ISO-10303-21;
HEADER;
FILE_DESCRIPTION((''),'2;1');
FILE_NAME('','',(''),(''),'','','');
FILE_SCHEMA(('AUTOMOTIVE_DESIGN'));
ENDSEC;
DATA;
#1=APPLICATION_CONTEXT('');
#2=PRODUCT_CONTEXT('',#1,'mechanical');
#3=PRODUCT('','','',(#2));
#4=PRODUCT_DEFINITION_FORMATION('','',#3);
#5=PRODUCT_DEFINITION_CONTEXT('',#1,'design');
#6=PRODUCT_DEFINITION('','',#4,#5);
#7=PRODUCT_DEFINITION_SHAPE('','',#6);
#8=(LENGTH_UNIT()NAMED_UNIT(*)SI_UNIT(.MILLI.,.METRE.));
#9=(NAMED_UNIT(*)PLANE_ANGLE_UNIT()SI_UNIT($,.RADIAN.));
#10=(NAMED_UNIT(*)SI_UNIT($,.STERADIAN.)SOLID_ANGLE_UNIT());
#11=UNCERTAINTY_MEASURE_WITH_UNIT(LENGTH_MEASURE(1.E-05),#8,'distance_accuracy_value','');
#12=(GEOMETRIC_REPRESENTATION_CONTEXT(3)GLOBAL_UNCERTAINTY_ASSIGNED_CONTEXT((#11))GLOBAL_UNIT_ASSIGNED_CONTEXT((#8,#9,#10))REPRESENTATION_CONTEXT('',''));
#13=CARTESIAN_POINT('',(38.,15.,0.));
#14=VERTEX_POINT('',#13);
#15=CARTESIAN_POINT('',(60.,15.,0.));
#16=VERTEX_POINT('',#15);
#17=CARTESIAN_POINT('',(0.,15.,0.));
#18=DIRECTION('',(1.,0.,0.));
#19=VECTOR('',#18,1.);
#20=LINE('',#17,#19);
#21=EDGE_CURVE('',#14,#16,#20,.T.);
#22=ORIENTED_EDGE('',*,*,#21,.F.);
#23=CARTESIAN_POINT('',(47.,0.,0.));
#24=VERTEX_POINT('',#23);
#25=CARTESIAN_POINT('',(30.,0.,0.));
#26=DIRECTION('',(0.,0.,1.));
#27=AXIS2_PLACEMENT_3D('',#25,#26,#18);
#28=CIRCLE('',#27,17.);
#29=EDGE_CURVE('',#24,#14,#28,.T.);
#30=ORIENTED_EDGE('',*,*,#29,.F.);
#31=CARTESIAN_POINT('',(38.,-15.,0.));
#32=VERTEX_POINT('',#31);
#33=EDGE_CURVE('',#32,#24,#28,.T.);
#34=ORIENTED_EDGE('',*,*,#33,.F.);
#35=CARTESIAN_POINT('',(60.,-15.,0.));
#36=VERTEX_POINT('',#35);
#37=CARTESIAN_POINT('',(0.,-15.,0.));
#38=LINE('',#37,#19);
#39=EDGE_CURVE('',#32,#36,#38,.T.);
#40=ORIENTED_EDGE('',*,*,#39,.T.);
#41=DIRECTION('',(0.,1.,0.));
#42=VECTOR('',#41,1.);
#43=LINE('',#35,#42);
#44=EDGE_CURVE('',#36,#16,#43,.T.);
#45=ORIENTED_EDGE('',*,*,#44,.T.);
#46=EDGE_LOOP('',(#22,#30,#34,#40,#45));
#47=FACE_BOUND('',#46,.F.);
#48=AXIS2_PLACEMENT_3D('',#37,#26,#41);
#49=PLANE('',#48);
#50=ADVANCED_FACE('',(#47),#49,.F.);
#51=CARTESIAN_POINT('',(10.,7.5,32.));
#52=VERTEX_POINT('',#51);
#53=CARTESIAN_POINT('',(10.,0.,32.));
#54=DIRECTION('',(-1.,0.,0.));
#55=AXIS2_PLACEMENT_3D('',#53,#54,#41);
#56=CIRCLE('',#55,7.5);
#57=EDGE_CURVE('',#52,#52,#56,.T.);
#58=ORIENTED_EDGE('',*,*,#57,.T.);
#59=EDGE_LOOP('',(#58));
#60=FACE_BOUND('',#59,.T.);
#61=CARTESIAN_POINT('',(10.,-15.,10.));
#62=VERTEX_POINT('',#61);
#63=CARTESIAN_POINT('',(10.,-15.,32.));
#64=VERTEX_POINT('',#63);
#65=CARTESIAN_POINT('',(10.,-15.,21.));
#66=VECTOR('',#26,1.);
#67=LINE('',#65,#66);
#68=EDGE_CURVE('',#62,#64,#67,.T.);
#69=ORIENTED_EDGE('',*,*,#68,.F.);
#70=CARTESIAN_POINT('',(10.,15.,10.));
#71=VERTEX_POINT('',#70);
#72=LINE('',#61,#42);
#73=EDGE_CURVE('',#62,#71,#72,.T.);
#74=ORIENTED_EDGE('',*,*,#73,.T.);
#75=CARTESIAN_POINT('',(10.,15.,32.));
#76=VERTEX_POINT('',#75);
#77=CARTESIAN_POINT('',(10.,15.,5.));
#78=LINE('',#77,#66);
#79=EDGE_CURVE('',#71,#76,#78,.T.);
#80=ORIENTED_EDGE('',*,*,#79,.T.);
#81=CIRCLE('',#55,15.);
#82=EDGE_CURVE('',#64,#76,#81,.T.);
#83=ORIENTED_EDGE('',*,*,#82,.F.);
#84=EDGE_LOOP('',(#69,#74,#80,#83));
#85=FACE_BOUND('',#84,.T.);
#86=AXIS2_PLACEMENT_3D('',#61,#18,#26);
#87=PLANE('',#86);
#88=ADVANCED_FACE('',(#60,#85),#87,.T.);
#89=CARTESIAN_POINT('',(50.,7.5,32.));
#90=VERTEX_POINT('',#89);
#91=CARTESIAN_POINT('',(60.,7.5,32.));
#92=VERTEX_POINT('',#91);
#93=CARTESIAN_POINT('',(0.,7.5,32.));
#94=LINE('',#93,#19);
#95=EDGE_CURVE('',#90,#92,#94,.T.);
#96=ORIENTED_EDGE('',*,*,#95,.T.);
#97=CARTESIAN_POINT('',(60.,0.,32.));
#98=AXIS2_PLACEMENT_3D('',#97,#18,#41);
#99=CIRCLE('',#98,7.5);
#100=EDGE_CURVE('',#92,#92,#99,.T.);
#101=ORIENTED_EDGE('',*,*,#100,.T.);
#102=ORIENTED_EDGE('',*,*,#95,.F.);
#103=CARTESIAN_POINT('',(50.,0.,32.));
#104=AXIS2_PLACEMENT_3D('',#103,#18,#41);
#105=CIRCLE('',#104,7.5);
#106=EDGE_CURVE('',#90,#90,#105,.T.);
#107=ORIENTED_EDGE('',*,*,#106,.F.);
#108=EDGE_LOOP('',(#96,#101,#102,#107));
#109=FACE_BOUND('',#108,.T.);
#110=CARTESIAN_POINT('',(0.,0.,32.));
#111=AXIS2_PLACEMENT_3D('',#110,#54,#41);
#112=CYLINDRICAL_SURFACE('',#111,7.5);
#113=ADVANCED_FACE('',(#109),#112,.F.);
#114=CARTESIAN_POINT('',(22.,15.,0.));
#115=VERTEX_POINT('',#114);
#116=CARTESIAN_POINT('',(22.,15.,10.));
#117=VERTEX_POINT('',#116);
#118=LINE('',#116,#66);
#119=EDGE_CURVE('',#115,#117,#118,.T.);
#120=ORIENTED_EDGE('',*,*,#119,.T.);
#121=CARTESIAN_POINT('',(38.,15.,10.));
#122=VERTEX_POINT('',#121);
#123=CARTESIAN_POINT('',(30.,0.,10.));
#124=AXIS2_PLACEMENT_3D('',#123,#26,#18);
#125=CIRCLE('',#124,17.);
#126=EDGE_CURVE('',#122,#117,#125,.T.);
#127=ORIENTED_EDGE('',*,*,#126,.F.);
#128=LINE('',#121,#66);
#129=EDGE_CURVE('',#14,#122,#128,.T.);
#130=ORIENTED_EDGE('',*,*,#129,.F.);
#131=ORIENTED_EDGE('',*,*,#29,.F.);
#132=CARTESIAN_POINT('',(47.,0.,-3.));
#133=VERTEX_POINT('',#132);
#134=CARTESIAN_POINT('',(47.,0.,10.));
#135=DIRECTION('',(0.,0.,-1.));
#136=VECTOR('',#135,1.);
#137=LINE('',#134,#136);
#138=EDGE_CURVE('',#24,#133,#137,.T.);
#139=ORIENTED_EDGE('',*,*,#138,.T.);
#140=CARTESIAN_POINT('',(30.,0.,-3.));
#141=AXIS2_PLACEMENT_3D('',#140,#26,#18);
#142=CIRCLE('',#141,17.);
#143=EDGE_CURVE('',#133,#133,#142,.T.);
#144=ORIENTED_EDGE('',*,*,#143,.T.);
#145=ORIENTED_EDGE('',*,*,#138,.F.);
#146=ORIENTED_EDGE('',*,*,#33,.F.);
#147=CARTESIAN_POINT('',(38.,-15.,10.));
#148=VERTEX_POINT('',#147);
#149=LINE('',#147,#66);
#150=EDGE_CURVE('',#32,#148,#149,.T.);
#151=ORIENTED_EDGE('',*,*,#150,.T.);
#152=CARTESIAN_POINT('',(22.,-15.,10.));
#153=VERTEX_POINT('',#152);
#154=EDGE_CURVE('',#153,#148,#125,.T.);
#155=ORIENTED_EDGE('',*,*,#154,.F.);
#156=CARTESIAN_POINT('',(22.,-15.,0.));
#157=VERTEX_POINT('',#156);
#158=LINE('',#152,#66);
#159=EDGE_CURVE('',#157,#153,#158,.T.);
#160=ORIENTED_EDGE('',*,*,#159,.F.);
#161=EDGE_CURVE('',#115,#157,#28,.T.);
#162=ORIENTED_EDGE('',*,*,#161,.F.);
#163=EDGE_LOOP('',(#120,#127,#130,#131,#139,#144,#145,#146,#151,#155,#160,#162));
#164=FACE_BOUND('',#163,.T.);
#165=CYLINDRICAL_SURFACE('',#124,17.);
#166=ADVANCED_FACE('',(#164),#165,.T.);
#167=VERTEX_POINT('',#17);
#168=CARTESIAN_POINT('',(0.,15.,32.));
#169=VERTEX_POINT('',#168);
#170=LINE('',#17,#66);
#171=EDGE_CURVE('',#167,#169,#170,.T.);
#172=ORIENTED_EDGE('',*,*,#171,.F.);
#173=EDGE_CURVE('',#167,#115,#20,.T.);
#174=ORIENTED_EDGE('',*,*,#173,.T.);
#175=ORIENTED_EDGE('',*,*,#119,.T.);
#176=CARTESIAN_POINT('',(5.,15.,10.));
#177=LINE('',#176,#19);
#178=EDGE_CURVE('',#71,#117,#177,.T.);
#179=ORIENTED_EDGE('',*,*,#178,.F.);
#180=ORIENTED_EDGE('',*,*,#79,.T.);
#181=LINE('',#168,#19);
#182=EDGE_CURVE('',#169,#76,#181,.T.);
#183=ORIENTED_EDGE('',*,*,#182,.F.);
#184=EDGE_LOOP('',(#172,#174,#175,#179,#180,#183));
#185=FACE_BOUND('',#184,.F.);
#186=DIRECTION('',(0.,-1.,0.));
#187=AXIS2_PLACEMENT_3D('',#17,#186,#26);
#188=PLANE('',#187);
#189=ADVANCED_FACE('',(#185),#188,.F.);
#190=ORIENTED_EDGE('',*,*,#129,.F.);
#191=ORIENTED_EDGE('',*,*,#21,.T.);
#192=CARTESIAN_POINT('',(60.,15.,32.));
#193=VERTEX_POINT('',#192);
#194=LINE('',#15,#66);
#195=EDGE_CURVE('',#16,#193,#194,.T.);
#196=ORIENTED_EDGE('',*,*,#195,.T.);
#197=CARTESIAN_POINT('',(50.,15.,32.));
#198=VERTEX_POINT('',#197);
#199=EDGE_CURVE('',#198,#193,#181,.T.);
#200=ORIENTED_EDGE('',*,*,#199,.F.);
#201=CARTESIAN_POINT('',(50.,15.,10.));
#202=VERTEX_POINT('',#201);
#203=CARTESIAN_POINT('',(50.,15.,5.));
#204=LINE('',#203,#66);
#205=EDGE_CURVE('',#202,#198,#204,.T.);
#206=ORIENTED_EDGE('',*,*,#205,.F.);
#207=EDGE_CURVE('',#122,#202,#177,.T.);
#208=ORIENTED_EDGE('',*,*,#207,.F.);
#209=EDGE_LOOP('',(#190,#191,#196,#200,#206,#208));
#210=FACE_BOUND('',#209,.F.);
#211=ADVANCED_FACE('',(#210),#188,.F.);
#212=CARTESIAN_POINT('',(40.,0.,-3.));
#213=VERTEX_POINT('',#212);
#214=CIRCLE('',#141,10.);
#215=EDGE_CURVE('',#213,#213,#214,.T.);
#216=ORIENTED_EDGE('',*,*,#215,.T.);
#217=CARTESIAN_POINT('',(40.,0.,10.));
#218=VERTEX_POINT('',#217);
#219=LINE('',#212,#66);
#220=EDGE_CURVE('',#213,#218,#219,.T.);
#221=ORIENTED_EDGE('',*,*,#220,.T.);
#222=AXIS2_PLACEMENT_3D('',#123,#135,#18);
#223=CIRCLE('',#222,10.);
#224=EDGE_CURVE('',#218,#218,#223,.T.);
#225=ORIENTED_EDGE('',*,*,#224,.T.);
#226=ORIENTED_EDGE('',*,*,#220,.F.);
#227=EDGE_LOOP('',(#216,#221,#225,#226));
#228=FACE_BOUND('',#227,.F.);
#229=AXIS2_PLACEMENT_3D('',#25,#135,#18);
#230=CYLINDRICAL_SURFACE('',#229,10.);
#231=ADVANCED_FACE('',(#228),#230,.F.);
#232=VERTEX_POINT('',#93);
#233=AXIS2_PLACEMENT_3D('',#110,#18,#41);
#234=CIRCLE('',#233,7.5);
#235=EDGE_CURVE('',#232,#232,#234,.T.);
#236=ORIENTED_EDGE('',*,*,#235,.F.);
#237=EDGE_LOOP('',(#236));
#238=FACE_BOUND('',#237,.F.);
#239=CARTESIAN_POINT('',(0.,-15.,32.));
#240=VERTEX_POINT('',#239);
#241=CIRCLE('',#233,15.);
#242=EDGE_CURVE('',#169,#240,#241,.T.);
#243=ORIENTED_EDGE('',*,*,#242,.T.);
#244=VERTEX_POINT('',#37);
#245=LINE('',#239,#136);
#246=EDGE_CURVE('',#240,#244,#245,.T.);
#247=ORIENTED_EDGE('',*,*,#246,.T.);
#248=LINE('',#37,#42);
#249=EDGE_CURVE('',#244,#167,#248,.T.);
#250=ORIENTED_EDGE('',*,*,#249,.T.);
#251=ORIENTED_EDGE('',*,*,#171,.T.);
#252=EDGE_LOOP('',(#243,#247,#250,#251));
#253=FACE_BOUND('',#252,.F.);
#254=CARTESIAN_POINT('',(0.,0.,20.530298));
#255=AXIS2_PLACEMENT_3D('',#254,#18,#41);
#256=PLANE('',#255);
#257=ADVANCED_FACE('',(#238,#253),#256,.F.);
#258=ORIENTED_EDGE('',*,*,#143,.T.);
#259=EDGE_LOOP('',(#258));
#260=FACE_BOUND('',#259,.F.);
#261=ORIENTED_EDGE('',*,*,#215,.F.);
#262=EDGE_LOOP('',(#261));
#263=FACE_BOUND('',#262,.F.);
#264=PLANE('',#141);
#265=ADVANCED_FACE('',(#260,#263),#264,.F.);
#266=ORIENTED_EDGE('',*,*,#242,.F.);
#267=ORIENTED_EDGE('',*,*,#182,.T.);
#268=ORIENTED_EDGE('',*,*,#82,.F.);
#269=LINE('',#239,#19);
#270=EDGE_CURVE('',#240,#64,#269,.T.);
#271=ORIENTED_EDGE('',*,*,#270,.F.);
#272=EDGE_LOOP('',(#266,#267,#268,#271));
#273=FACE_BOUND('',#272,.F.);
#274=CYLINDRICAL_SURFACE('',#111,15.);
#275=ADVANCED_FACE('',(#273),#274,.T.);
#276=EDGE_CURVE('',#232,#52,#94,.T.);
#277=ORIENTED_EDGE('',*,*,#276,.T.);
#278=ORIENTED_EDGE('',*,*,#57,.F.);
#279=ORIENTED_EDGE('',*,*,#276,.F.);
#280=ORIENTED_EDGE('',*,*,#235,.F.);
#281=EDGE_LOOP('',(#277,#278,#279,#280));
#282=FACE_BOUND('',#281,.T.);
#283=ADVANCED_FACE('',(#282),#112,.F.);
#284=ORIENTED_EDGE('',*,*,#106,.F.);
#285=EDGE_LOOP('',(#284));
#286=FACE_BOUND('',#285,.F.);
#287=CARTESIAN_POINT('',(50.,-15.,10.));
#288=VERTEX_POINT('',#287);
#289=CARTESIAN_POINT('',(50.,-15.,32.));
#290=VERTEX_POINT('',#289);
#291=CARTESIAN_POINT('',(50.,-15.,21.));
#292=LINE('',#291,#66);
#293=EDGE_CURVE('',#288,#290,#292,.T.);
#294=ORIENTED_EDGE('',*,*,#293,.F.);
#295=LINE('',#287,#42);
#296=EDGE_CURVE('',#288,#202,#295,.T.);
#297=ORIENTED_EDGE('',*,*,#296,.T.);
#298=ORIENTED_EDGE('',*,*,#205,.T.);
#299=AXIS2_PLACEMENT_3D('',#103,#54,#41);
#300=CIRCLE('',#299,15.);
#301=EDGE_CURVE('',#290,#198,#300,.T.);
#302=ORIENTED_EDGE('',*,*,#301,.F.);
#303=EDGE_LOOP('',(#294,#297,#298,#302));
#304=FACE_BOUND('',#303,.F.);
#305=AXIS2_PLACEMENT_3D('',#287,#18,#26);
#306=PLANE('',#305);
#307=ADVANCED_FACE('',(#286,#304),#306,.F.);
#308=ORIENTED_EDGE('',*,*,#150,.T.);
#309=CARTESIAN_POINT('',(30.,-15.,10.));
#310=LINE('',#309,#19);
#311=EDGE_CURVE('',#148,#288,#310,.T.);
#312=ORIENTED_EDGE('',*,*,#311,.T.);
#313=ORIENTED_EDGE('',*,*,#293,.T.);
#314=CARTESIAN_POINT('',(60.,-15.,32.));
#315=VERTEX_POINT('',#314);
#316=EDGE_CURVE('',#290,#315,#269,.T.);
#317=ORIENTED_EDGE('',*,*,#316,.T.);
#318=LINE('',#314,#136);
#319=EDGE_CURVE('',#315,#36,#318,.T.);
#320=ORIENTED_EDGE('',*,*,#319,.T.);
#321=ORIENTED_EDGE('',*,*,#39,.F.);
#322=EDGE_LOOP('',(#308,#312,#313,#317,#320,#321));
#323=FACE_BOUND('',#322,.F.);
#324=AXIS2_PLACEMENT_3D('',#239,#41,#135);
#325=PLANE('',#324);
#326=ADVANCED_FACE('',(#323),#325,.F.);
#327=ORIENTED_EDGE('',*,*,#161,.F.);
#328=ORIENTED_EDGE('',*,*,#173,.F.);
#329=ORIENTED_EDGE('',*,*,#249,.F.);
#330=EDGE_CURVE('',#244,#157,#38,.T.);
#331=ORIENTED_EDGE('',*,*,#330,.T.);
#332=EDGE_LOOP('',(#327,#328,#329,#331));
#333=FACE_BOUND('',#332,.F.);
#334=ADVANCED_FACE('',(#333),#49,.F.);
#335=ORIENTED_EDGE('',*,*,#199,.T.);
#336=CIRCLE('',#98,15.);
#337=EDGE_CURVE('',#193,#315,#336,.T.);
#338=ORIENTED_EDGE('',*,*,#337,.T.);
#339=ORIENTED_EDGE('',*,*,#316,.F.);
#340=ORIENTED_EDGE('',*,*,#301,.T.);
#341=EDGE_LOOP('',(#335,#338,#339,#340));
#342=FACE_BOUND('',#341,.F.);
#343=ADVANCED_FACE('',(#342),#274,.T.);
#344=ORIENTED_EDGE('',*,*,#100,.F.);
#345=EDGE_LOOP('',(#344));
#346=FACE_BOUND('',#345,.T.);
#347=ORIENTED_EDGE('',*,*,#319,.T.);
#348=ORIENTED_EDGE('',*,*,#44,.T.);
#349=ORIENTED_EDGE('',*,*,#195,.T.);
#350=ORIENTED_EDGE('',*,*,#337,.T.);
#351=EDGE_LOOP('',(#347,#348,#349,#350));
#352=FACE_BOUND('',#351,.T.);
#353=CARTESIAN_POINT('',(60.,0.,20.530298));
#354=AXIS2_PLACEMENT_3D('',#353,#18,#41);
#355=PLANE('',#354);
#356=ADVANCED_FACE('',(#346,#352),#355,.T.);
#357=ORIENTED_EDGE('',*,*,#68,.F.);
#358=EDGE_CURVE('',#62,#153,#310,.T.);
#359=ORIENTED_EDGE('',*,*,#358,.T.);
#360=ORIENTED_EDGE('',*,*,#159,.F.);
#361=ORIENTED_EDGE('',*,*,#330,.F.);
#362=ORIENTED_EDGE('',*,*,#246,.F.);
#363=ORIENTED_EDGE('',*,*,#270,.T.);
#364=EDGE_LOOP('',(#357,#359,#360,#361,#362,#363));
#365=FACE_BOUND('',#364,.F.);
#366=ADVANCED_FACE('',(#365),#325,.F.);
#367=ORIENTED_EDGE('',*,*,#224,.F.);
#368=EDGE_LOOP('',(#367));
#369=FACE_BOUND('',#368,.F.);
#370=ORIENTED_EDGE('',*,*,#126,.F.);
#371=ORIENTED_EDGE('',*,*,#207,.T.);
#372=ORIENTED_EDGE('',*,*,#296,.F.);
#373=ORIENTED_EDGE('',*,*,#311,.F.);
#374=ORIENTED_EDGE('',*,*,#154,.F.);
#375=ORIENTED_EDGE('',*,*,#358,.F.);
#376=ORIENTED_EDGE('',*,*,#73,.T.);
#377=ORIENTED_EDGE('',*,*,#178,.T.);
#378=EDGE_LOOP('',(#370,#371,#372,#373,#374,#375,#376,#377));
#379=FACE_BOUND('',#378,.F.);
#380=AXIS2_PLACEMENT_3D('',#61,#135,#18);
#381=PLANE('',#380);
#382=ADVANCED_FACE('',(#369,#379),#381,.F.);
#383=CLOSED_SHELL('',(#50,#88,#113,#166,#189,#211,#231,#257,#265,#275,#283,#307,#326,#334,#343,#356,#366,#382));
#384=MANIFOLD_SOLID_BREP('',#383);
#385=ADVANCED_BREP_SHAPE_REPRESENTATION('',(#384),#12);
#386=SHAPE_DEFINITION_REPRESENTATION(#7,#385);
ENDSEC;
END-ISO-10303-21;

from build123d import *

# Parameters (mm, degrees)
F0_R     = 7.5
F1_DEPTH = 60
F3_DEPTH = 30.001
F4_W     = 40
F4_H     = 22
F5_DEPTH = 30.001
F6_R     = 17
F6_R_2   = 10
F7_DEPTH = 13
F8_R     = 10
F9_DEPTH = 47.001


with BuildPart() as f1:
    # F0 (on Right) → F1 (new body)
    with BuildSketch(Plane.YZ):
        with BuildLine():
            Line((-15, 10), (-15, 0))
            Line((-15, 0), (15, 0))
            Line((15, 0), (15, 10))
            Line((15, 10), (15, 32))
            ThreePointArc((15, 32), (0, 47), (-15, 32))
            Line((-15, 32), (-15, 10))
        make_face()
        with Locations((0, 32)):
            Circle(F0_R, mode=Mode.SUBTRACT)
    extrude(amount=F1_DEPTH)

    # F2 (on face) → F3 (cut, through all)
    with BuildSketch(Plane.XZ.offset(15)):
        Polygon((50, 85.158385), (10, 82.922354), (10, 32), (50, 32), align=None)
    extrude(amount=-F3_DEPTH, mode=Mode.SUBTRACT)

    # F4 (on face) → F5 (cut, through all)
    with BuildSketch(Plane.XZ.offset(15)):
        with Locations((30, 21)):
            Rectangle(F4_W, F4_H)
    extrude(amount=-F5_DEPTH, mode=Mode.SUBTRACT)

    # F6 (on face) → F7 (join)
    with BuildSketch(Plane.XY.offset(10)):
        with Locations((30, 0)):
            Circle(F6_R)
        with Locations((30, 0)):
            Circle(F6_R_2, mode=Mode.SUBTRACT)
    extrude(amount=-F7_DEPTH)

    # F8 (on face) → F9 (cut, through all)
    with BuildSketch(Plane(origin=(0, 0, 0), x_dir=(1, 0, 0), z_dir=(0, 0, -1))):
        with Locations((30, 0)):
            Circle(F8_R)
    extrude(amount=-F9_DEPTH, mode=Mode.SUBTRACT)


solid = f1.part
